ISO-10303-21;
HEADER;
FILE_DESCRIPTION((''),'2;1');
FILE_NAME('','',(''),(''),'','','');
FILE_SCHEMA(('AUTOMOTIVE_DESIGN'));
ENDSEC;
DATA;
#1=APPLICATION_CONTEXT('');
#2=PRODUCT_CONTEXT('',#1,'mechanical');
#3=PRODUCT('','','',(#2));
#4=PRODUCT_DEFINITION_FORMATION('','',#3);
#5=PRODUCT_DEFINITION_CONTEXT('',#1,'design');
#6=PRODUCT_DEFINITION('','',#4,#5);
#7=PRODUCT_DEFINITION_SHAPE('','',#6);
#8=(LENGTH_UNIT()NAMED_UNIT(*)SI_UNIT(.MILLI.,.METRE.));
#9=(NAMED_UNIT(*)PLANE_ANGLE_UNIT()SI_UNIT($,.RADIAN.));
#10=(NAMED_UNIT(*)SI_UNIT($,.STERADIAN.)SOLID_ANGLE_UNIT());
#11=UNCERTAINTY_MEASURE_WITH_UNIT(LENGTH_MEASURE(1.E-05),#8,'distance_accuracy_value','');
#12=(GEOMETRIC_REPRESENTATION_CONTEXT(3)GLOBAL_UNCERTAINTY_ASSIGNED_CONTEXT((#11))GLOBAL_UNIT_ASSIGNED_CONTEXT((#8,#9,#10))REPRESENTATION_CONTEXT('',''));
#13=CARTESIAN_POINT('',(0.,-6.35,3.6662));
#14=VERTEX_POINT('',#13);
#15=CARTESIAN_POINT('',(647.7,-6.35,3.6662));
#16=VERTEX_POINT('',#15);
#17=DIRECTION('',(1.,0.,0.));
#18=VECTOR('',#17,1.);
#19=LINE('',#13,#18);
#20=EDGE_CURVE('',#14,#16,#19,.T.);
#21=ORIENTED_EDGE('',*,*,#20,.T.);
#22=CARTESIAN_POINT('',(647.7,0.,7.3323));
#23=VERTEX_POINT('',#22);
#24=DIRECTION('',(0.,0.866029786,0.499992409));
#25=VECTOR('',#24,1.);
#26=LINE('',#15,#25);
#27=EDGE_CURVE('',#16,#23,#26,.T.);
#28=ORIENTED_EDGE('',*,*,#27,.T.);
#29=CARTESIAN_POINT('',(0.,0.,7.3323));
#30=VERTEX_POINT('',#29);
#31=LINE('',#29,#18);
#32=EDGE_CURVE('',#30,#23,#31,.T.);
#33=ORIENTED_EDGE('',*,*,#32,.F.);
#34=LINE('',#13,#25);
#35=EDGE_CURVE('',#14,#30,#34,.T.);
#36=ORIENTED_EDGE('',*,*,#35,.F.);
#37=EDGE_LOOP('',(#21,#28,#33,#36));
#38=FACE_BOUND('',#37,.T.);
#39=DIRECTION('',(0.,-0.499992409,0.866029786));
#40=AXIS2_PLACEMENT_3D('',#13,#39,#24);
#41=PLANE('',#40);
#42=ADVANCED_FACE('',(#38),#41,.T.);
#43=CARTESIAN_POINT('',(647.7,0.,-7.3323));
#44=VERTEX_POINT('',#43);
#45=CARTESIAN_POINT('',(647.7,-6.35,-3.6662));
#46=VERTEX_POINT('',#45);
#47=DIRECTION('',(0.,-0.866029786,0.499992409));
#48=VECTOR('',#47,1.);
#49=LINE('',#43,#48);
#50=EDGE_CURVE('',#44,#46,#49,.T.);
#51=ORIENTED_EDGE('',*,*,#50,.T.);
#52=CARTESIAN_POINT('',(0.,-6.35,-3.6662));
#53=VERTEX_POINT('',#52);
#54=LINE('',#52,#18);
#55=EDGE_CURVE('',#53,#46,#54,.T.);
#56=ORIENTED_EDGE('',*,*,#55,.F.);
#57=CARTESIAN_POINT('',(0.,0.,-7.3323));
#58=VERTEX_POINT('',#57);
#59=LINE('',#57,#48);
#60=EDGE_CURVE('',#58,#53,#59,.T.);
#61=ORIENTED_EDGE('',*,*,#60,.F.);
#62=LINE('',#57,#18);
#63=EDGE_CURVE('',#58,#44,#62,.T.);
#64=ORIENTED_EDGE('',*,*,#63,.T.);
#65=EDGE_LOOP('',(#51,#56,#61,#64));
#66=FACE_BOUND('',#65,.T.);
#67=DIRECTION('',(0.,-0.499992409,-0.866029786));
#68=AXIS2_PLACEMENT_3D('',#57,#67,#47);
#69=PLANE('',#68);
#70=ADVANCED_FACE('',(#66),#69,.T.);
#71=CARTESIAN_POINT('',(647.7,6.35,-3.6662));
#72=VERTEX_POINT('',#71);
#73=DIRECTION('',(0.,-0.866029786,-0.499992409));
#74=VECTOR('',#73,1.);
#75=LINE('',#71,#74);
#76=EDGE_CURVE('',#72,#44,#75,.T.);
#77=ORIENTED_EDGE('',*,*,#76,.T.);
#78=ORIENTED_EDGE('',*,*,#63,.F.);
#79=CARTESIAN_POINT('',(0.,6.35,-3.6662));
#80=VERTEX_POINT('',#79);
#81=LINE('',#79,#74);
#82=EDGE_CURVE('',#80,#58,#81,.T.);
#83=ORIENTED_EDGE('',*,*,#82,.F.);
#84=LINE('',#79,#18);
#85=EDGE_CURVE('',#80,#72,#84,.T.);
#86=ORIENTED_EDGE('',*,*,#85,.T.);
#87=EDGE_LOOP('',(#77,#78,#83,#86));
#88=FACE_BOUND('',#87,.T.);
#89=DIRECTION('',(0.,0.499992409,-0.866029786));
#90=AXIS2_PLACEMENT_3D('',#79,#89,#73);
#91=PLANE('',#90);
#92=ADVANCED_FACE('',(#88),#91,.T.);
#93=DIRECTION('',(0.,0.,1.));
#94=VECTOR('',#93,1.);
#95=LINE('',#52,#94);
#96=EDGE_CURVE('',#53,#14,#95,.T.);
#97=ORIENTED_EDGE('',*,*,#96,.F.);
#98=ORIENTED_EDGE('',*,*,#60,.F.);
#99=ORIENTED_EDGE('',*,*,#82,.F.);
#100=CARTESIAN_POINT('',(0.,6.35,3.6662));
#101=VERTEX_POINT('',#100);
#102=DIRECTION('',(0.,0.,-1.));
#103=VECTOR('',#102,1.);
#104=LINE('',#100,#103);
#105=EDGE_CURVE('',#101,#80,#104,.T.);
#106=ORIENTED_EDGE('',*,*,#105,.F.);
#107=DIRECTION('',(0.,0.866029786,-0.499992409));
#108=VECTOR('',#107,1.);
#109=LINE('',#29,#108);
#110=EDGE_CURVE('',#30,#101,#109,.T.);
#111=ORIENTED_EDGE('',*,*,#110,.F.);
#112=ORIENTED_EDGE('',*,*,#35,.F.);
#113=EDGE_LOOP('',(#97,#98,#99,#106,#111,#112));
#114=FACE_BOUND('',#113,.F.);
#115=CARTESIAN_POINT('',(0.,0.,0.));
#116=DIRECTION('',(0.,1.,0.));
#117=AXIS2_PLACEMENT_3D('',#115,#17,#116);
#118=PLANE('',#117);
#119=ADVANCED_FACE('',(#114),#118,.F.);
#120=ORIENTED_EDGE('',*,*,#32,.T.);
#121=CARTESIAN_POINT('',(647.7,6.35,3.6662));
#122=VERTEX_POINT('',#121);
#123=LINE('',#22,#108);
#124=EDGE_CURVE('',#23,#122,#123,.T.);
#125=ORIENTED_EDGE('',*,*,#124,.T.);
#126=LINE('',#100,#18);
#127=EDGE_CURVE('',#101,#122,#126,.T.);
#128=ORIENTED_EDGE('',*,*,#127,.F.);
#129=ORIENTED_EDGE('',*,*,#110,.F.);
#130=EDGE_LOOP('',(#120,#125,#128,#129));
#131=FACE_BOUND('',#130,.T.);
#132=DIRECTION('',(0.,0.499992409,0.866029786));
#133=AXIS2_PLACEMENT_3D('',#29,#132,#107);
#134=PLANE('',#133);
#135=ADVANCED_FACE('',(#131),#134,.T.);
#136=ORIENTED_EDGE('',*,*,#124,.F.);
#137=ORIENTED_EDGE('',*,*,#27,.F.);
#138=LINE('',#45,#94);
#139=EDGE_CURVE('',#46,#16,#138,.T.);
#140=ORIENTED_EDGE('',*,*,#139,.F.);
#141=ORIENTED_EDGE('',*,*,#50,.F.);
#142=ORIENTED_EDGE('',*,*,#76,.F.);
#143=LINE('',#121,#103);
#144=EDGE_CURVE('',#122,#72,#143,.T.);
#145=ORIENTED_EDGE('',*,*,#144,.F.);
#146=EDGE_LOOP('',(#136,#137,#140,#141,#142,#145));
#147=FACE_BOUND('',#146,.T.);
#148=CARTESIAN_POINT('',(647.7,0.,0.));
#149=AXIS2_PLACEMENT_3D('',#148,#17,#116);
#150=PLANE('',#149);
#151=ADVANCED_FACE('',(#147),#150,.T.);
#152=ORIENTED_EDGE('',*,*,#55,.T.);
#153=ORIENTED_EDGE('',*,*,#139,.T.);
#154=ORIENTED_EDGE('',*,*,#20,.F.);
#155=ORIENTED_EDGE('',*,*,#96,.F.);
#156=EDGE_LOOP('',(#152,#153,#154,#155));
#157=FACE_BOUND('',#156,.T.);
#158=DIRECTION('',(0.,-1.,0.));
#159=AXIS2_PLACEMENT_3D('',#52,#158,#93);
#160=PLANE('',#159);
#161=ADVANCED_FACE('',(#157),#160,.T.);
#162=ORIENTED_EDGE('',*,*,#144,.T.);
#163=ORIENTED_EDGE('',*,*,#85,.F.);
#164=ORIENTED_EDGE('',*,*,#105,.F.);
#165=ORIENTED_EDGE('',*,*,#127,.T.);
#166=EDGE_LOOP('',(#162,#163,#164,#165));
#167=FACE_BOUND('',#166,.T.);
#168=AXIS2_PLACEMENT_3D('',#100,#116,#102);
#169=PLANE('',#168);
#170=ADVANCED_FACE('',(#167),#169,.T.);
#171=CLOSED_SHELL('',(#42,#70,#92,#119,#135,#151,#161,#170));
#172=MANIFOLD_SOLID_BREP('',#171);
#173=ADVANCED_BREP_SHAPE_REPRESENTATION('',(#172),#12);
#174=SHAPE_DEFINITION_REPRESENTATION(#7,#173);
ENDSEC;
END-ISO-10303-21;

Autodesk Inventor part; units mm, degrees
ref_plane "YZ Plane" through (0, 0, 0) normal (1, 0, 0) x (0, 1, 0)
ref_plane "XZ Plane" through (0, 0, 0) normal (0, 1, 0) x (-1, 0, 0)
ref_plane "XY Plane" through (0, 0, 0) normal (0, 0, 1) x (1, 0, 0)
sketch "Sketch1" plane through (0, 0, 0) normal (1, 0, 0) x (0, 1, 0)
  line L0 (6.35, 3.6662) -> (6.35, -3.6662)
  line L1 (6.35, -3.6662) -> (0, -7.3323)
  line L2 (0, -7.3323) -> (-6.35, -3.6662)
  line L3 (-6.35, -3.6662) -> (-6.35, 3.6662)
  line L4 (-6.35, 3.6662) -> (0, 7.3323)
  line L5 (0, 7.3323) -> (6.35, 3.6662)
  point P0 (0, 0)
  dimension "d0" = 12.7
  dimension "d1" = 12.7
  dimension "d2" = 12.7
  dimension "d3" = 6.35
  dimension "d4" = 120
  dimension "d5" = 120
  dimension "d6" = 6.35
  dimension "d7" = 6.35
extrude "Extrusion1" add sketch "Sketch1" along normal blind 647.7
properties part number "back roller 7-16 hex shaft"
